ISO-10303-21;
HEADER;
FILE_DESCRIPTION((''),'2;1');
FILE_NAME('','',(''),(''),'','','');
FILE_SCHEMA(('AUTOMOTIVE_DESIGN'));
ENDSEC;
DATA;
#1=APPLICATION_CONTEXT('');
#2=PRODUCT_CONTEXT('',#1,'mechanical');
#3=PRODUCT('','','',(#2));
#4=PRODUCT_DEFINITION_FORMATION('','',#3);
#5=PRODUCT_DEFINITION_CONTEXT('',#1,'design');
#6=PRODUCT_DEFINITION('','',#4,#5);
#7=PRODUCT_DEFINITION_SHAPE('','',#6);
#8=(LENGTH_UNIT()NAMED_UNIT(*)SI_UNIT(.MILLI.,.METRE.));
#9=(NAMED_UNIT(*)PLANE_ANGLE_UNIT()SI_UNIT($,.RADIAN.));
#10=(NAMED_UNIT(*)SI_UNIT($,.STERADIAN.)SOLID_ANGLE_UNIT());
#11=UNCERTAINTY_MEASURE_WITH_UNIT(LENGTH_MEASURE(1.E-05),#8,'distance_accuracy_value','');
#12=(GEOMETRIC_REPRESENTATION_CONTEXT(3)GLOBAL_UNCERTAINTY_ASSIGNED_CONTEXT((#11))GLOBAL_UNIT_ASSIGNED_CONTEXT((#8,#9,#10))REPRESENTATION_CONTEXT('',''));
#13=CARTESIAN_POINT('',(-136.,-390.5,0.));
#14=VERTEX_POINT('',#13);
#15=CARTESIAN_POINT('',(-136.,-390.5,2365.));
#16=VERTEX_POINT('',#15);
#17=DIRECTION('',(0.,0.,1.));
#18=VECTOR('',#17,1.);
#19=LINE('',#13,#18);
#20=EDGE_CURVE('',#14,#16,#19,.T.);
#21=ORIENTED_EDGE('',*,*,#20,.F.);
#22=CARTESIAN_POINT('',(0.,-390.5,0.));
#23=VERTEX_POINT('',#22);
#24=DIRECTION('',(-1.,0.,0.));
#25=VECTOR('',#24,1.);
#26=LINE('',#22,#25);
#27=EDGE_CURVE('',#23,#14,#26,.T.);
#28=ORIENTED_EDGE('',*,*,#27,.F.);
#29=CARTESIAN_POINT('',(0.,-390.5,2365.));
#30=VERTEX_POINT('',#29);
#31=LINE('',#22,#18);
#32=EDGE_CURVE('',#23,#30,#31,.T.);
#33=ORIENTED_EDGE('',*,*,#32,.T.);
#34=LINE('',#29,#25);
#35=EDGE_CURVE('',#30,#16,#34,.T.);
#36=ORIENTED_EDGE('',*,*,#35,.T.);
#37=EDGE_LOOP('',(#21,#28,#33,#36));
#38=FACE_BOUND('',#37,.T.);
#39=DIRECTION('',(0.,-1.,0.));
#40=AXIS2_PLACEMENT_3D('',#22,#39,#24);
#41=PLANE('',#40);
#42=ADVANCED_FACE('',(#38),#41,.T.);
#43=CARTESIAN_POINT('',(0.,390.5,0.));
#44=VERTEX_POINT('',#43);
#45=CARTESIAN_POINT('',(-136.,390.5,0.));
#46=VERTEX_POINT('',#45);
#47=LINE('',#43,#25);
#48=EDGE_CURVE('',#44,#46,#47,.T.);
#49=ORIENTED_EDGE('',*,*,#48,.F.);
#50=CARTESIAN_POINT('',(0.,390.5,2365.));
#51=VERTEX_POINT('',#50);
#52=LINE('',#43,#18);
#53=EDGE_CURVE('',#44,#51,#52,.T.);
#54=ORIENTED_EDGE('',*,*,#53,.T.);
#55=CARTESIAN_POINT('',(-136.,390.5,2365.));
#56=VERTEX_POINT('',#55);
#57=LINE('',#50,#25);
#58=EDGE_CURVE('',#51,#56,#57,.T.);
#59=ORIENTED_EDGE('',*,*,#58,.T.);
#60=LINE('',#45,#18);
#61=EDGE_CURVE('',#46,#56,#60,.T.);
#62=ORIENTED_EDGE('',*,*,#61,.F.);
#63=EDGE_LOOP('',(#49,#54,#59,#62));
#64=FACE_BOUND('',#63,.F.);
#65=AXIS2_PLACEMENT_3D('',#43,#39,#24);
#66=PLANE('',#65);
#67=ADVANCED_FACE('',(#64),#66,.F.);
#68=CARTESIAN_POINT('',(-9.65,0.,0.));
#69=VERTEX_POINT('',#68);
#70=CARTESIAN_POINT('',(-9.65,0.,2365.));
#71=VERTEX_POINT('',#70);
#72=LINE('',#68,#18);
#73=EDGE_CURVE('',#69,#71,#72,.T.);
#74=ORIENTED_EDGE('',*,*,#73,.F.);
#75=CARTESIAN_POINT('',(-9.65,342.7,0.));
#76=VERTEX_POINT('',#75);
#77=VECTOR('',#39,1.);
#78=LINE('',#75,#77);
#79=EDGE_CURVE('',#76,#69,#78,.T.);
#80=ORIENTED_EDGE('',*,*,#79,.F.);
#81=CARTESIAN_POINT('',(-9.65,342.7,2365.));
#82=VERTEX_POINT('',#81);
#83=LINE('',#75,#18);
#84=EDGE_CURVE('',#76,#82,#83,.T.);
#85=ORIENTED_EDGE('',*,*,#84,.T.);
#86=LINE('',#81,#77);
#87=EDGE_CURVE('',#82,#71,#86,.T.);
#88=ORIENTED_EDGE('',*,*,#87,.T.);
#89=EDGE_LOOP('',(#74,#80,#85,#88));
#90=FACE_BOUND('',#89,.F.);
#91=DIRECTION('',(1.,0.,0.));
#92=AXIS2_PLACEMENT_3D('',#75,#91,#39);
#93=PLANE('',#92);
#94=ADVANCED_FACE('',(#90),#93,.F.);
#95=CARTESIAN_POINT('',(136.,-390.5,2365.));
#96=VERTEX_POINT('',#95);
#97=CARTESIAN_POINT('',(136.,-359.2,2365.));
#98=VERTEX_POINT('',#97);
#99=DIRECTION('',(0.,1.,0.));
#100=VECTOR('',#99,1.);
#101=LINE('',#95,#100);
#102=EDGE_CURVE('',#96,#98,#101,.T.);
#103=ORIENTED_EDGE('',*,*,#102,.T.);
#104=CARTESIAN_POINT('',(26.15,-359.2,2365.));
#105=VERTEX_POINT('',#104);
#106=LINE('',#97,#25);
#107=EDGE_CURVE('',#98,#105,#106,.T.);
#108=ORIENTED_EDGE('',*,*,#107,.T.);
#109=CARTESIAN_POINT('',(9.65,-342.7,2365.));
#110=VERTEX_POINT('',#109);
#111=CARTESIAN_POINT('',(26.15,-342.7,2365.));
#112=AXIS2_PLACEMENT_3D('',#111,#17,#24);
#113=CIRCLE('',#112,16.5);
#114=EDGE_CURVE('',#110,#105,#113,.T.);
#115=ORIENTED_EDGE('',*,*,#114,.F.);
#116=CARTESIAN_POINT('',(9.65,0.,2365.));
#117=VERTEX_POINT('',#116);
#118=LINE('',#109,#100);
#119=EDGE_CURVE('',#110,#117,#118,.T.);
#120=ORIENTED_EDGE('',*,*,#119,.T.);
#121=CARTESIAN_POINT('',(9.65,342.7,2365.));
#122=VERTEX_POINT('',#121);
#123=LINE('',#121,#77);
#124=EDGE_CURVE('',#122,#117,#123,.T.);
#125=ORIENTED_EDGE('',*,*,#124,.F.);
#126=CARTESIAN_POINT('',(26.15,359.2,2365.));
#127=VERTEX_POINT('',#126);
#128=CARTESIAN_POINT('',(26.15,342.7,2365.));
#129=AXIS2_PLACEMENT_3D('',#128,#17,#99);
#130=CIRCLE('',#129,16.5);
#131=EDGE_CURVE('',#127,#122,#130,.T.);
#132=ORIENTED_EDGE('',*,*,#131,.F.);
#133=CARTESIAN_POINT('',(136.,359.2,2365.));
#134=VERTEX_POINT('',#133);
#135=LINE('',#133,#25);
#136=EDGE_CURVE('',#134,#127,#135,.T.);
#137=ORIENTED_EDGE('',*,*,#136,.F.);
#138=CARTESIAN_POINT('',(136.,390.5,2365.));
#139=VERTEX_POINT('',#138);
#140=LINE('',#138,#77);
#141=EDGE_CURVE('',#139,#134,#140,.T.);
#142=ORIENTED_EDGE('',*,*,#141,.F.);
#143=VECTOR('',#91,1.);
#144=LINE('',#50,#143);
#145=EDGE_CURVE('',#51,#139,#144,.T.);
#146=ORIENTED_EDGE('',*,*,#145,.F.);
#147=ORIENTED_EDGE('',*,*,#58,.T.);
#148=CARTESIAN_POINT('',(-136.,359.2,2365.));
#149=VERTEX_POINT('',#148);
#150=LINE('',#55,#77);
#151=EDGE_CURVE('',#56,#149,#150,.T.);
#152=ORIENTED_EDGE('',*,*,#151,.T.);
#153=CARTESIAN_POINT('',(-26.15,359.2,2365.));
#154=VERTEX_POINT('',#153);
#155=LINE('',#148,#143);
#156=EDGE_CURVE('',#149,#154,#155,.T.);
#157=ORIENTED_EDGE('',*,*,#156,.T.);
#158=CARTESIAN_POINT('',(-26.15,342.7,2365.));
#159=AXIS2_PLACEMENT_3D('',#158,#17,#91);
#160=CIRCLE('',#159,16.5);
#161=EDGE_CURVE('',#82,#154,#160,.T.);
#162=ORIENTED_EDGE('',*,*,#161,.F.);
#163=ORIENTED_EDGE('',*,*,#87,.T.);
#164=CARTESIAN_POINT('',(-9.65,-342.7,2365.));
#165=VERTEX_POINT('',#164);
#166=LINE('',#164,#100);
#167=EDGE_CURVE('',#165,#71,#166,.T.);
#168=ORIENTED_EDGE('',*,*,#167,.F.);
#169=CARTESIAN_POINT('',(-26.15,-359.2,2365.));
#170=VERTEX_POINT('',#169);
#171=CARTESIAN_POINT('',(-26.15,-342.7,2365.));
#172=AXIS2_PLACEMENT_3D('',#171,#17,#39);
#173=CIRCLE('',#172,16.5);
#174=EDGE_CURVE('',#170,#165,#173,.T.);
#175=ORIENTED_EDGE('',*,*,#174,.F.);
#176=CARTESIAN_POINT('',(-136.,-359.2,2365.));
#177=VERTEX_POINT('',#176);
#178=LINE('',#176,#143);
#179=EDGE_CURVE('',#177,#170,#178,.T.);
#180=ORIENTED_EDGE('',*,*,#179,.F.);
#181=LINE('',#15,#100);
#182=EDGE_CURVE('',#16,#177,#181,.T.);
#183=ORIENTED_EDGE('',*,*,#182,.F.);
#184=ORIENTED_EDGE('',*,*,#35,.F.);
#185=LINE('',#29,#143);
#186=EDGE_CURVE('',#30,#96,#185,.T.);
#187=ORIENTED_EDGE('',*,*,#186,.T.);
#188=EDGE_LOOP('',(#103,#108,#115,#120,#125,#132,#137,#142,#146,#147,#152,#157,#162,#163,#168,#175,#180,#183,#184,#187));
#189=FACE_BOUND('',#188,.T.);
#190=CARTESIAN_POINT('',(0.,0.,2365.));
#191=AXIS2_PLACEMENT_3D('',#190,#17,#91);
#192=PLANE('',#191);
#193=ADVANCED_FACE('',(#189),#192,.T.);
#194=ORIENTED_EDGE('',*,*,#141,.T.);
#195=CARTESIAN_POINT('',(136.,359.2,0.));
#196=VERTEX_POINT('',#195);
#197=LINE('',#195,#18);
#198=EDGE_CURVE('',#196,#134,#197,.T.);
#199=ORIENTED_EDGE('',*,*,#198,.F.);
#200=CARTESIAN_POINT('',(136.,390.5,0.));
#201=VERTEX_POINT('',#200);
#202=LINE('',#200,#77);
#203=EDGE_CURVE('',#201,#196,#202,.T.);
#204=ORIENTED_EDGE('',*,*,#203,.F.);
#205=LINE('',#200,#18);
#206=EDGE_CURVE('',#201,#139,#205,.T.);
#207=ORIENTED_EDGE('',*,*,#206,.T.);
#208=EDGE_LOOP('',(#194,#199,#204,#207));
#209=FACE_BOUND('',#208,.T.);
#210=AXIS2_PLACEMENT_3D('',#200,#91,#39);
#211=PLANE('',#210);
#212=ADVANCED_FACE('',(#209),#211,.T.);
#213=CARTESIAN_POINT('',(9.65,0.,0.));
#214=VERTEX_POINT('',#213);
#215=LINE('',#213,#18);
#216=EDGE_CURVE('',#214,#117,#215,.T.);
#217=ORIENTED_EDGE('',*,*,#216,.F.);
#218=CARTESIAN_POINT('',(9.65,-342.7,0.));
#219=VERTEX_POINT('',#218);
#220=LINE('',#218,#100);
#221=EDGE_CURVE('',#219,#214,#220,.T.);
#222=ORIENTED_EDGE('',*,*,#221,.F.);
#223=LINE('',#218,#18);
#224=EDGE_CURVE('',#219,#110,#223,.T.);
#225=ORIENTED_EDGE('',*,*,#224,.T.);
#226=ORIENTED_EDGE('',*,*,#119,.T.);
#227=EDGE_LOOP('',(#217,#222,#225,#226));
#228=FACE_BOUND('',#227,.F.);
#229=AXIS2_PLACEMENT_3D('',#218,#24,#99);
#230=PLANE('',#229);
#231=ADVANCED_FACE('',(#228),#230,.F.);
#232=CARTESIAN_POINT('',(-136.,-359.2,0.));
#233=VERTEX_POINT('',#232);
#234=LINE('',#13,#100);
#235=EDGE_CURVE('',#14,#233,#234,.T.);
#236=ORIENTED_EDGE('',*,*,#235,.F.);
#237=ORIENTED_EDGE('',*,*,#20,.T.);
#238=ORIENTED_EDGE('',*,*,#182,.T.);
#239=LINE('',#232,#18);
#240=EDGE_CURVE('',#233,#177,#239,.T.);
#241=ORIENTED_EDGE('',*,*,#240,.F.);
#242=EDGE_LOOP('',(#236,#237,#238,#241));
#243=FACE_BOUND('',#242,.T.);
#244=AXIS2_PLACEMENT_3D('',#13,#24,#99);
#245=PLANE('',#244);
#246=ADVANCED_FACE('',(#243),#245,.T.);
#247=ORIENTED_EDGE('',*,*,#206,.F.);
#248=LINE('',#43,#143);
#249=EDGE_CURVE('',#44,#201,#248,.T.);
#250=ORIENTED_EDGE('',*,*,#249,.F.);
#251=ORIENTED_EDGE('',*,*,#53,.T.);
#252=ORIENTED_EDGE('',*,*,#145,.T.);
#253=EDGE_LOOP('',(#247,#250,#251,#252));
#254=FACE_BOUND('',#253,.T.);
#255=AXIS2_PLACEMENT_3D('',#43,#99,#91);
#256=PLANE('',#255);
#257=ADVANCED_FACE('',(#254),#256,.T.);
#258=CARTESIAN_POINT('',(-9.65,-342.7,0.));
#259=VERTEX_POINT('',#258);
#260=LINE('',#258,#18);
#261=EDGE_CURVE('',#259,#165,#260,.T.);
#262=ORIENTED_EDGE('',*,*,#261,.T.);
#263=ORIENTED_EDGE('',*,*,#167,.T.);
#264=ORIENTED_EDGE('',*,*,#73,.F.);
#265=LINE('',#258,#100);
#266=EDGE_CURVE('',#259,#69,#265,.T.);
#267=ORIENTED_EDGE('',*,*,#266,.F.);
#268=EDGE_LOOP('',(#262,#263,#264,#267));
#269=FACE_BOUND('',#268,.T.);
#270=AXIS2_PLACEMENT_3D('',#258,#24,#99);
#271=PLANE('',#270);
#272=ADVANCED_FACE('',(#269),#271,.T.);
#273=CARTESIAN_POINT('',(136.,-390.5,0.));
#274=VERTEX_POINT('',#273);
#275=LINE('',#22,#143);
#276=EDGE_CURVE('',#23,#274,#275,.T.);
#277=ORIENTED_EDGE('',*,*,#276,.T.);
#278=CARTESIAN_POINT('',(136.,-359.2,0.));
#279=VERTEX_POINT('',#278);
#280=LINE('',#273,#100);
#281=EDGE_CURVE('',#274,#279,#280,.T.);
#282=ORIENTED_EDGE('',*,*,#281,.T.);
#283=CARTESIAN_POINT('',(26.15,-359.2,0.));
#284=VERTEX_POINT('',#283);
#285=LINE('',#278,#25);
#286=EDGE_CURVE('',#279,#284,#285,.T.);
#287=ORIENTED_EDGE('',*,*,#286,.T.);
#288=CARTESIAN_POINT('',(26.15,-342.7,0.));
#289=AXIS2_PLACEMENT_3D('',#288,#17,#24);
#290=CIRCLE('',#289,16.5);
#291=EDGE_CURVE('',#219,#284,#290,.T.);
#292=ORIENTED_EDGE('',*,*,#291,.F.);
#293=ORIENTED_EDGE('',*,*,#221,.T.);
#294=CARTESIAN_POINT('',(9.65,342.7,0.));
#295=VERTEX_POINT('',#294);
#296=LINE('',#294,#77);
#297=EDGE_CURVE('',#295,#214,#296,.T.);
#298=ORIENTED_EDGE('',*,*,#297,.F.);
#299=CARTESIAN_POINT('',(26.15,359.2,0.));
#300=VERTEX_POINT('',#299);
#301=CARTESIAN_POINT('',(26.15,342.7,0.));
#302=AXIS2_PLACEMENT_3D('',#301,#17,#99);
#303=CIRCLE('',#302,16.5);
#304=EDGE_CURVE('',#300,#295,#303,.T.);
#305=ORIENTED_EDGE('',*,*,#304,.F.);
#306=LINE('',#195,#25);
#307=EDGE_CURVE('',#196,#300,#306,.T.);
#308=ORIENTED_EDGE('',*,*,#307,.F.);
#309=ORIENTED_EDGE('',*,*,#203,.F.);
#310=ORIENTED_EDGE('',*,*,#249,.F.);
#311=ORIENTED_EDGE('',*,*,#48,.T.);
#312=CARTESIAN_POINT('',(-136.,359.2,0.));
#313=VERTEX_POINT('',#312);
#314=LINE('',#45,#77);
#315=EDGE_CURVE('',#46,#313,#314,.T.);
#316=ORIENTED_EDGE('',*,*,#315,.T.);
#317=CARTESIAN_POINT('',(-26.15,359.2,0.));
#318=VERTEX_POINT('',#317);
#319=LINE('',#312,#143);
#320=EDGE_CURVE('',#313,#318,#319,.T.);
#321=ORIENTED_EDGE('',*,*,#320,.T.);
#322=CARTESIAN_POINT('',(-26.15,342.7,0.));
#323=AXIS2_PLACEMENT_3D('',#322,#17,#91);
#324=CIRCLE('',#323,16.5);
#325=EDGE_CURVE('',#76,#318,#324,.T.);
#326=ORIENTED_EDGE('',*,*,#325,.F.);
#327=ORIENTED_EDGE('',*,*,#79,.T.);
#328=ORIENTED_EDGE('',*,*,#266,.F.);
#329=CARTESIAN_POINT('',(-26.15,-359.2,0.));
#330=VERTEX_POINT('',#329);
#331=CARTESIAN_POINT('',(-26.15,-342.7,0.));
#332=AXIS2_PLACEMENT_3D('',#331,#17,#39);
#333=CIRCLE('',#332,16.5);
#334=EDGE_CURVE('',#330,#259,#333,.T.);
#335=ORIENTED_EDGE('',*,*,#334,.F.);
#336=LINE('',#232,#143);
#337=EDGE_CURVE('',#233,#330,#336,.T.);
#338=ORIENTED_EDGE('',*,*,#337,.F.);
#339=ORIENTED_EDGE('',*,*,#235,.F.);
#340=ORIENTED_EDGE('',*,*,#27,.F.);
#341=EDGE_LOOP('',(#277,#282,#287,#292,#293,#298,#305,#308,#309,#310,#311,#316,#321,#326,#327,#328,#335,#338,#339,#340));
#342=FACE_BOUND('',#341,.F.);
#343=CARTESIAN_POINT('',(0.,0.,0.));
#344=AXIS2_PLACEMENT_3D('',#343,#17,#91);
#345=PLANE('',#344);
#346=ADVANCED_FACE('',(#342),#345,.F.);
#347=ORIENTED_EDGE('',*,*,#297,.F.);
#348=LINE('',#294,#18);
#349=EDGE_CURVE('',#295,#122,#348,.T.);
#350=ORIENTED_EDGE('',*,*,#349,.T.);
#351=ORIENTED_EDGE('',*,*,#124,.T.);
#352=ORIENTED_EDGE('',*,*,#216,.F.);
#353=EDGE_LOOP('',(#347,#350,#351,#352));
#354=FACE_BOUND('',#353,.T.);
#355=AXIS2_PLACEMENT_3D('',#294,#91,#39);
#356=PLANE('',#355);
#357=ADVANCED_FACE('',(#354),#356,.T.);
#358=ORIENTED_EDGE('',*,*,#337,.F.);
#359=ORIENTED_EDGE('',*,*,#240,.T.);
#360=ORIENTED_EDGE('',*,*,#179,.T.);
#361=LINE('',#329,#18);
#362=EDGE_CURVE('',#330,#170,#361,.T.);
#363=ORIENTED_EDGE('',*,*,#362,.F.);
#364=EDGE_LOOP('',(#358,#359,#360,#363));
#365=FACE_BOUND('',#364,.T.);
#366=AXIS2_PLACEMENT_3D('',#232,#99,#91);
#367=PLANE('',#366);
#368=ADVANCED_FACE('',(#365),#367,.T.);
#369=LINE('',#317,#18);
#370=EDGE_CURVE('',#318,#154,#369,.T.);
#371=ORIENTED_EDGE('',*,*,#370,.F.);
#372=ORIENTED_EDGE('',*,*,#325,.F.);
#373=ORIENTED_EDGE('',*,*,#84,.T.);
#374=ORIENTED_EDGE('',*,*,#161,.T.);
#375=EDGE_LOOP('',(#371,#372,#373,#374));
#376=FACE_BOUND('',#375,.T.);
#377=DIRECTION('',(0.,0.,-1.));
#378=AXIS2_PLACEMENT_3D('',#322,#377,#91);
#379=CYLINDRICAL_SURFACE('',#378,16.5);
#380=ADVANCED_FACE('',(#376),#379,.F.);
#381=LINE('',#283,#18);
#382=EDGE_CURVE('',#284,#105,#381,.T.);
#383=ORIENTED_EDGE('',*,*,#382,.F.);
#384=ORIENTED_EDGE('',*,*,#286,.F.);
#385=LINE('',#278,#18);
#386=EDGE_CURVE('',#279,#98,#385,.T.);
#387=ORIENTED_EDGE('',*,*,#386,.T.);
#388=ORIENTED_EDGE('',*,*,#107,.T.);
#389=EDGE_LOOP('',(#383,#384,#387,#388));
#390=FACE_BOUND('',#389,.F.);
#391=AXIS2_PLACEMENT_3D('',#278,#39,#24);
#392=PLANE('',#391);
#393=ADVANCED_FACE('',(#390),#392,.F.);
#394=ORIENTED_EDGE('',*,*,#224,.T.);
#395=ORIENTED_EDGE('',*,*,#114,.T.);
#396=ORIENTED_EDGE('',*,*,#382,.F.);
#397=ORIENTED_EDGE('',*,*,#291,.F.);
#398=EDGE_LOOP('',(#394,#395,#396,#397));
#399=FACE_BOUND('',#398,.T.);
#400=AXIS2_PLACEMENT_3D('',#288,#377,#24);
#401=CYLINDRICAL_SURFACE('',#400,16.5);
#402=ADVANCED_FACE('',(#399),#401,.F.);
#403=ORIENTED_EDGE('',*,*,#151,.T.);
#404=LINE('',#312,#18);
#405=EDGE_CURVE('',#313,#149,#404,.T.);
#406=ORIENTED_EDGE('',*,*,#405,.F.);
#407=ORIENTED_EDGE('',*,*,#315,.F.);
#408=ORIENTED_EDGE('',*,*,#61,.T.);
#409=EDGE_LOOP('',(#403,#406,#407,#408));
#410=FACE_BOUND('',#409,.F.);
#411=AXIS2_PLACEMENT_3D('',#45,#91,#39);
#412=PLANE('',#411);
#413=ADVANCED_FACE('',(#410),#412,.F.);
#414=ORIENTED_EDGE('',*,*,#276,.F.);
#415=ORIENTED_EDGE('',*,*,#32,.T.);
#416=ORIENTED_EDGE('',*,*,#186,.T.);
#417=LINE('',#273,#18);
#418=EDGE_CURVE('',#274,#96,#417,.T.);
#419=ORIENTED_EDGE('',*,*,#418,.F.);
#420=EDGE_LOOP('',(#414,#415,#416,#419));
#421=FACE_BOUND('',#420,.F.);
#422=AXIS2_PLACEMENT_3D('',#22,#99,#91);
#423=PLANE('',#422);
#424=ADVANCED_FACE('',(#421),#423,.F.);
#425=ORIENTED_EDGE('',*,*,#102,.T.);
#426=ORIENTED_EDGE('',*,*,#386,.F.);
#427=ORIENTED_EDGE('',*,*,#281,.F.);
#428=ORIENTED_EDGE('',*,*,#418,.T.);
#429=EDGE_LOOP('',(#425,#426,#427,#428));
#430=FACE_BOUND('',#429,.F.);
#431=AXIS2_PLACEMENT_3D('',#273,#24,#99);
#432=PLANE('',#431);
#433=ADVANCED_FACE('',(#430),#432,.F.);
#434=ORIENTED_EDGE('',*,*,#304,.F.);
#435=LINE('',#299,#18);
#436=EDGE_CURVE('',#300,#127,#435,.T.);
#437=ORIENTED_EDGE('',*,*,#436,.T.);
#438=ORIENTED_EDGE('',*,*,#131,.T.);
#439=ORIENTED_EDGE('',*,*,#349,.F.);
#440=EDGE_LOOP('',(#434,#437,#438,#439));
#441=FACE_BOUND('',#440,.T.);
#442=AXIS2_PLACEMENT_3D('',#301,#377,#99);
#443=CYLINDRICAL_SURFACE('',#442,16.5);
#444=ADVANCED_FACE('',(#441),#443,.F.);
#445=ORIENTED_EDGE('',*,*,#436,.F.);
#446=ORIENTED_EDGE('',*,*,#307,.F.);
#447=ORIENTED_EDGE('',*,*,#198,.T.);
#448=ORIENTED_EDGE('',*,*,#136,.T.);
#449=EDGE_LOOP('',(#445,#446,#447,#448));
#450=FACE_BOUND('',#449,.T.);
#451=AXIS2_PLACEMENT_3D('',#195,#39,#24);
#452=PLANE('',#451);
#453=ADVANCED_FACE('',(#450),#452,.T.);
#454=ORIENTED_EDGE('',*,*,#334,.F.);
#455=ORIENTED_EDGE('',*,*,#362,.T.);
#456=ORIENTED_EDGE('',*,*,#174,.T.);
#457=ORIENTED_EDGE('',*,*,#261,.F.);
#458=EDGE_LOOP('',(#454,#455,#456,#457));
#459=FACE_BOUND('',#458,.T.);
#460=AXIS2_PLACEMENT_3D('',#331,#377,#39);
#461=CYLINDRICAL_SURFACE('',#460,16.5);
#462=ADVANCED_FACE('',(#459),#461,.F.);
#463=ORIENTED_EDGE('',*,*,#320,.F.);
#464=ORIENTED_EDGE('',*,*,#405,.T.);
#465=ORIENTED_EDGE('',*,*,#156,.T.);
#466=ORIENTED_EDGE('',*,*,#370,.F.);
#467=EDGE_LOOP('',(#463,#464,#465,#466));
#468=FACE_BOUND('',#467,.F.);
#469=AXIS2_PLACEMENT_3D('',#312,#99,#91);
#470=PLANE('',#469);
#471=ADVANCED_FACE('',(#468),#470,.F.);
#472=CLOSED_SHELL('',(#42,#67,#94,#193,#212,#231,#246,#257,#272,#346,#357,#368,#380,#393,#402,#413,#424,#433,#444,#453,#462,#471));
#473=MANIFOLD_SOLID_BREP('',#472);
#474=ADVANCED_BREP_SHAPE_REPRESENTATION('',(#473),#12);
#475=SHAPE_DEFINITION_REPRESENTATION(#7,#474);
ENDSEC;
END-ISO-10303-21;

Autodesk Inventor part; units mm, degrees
ref_plane "YZ Plane" through (0, 0, 0) normal (1, 0, 0) x (0, 1, 0)
ref_plane "Start plane" through (0, 0, 0) normal (0, 0, 1) x (1, 0, 0)
ref_plane "End plane" through (0, 0, 2365) normal (0, 0, 1) x (1, 0, 0)
sketch "Sketch" plane through (0, 0, 0) normal (0, 0, 1) x (1, 0, 0)
  line L0 (-136, -390.5) -> (-136, -359.2)
  line L1 (-136, -359.2) -> (-26.15, -359.2)
  line L2 (-9.65, -342.7) -> (-9.65, 0)
  line L3 (-9.65, 0) -> (0, 0) construction
  line L4 (0, 0) -> (0, -390.5) construction
  line L5 (0, -390.5) -> (-136, -390.5)
  line L6 (-60, 0) -> (80, 0) construction
  line L7 (0, -60) -> (0, 80) construction
  line L8 (136, -390.5) -> (136, -359.2)
  line L9 (136, -359.2) -> (26.15, -359.2)
  line L10 (9.65, -342.7) -> (9.65, 0)
  line L11 (9.65, 0) -> (0, 0) construction
  line L12 (0, -390.5) -> (136, -390.5)
  line L13 (-136, 390.5) -> (-136, 359.2)
  line L14 (-136, 359.2) -> (-26.15, 359.2)
  line L15 (-9.65, 342.7) -> (-9.65, 0)
  line L16 (0, 390.5) -> (-136, 390.5)
  line L17 (136, 390.5) -> (136, 359.2)
  line L18 (136, 359.2) -> (26.15, 359.2)
  line L19 (0, 390.5) -> (136, 390.5)
  line L20 (9.65, 342.7) -> (9.65, 0)
  arc A0 (-9.65, 342.7) -> (-26.15, 359.2) centre (-26.15, 342.7) ccw
  arc A1 (26.15, 359.2) -> (9.65, 342.7) centre (26.15, 342.7) ccw
  arc A2 (9.65, -342.7) -> (26.15, -359.2) centre (26.15, -342.7) ccw
  arc A3 (-26.15, -359.2) -> (-9.65, -342.7) centre (-26.15, -342.7) ccw
  line L21 (0, 108) -> (0, -88) construction
  line L22 (-88, 0) -> (108, 0) construction
  point P0 (-9.65, -359.2)
  point P1 (9.65, -359.2)
  point P2 (-9.65, 359.2)
  point P3 (9.65, 359.2)
  dimension "d1" = 390.5
  dimension "d2" = 31.3
  dimension "d3" = 136
  dimension "d4" = 9.65
  dimension "d10" = 16.5
extrude "Body" add sketch "Sketch" along normal up to surface (2365 mm away) from surface at 0
sketch "Sketch4" plane through (0, 0, 0) normal (0, 0, 1) x (1, 0, 0)
  line L0 (0, 0) -> (10, 0)
ref_plane "Work Plane3" through (0, 0, 0) normal (0, -1, 0) x (1, 0, 0)
sketch "Sketch5" plane through (0, 0, 0) normal (0, -1, 0) x (1, 0, 0)
  line L0 (-2, 0) -> (12, 0) projected
  line L1 (-2, 2365) -> (12, 2365) projected
  dimension "d14" = 2365
equation "\"d1\" = 0.5 * G_H"
equation "\"d2\" = G_T1"
equation "\"d3\" = 0.5 * G_W"
equation "\"d4\" = 0.5 * G_T"
equation "\"d10\" = G_IR"
equation "\"d5\" = G_L"
equation "\"G_W\" = 272"
equation "\"G_H\" = 781"
equation "\"G_T\" = 19.3"
equation "\"G_T1\" = 31.3"
equation "\"G_IR\" = 16.5"
equation "\"G_L\" = d14"
equation "\"G_OFFSET_START\" = 0"
equation "\"G_OFFSET_END\" = 0"
equation "\"d12\" = G_OFFSET_END + B_L"
equation "\"B_L\" = 2365"
properties part number "AS 3679-1990 - 760 UB - 244 - 2365" material "Steel, Mild"
